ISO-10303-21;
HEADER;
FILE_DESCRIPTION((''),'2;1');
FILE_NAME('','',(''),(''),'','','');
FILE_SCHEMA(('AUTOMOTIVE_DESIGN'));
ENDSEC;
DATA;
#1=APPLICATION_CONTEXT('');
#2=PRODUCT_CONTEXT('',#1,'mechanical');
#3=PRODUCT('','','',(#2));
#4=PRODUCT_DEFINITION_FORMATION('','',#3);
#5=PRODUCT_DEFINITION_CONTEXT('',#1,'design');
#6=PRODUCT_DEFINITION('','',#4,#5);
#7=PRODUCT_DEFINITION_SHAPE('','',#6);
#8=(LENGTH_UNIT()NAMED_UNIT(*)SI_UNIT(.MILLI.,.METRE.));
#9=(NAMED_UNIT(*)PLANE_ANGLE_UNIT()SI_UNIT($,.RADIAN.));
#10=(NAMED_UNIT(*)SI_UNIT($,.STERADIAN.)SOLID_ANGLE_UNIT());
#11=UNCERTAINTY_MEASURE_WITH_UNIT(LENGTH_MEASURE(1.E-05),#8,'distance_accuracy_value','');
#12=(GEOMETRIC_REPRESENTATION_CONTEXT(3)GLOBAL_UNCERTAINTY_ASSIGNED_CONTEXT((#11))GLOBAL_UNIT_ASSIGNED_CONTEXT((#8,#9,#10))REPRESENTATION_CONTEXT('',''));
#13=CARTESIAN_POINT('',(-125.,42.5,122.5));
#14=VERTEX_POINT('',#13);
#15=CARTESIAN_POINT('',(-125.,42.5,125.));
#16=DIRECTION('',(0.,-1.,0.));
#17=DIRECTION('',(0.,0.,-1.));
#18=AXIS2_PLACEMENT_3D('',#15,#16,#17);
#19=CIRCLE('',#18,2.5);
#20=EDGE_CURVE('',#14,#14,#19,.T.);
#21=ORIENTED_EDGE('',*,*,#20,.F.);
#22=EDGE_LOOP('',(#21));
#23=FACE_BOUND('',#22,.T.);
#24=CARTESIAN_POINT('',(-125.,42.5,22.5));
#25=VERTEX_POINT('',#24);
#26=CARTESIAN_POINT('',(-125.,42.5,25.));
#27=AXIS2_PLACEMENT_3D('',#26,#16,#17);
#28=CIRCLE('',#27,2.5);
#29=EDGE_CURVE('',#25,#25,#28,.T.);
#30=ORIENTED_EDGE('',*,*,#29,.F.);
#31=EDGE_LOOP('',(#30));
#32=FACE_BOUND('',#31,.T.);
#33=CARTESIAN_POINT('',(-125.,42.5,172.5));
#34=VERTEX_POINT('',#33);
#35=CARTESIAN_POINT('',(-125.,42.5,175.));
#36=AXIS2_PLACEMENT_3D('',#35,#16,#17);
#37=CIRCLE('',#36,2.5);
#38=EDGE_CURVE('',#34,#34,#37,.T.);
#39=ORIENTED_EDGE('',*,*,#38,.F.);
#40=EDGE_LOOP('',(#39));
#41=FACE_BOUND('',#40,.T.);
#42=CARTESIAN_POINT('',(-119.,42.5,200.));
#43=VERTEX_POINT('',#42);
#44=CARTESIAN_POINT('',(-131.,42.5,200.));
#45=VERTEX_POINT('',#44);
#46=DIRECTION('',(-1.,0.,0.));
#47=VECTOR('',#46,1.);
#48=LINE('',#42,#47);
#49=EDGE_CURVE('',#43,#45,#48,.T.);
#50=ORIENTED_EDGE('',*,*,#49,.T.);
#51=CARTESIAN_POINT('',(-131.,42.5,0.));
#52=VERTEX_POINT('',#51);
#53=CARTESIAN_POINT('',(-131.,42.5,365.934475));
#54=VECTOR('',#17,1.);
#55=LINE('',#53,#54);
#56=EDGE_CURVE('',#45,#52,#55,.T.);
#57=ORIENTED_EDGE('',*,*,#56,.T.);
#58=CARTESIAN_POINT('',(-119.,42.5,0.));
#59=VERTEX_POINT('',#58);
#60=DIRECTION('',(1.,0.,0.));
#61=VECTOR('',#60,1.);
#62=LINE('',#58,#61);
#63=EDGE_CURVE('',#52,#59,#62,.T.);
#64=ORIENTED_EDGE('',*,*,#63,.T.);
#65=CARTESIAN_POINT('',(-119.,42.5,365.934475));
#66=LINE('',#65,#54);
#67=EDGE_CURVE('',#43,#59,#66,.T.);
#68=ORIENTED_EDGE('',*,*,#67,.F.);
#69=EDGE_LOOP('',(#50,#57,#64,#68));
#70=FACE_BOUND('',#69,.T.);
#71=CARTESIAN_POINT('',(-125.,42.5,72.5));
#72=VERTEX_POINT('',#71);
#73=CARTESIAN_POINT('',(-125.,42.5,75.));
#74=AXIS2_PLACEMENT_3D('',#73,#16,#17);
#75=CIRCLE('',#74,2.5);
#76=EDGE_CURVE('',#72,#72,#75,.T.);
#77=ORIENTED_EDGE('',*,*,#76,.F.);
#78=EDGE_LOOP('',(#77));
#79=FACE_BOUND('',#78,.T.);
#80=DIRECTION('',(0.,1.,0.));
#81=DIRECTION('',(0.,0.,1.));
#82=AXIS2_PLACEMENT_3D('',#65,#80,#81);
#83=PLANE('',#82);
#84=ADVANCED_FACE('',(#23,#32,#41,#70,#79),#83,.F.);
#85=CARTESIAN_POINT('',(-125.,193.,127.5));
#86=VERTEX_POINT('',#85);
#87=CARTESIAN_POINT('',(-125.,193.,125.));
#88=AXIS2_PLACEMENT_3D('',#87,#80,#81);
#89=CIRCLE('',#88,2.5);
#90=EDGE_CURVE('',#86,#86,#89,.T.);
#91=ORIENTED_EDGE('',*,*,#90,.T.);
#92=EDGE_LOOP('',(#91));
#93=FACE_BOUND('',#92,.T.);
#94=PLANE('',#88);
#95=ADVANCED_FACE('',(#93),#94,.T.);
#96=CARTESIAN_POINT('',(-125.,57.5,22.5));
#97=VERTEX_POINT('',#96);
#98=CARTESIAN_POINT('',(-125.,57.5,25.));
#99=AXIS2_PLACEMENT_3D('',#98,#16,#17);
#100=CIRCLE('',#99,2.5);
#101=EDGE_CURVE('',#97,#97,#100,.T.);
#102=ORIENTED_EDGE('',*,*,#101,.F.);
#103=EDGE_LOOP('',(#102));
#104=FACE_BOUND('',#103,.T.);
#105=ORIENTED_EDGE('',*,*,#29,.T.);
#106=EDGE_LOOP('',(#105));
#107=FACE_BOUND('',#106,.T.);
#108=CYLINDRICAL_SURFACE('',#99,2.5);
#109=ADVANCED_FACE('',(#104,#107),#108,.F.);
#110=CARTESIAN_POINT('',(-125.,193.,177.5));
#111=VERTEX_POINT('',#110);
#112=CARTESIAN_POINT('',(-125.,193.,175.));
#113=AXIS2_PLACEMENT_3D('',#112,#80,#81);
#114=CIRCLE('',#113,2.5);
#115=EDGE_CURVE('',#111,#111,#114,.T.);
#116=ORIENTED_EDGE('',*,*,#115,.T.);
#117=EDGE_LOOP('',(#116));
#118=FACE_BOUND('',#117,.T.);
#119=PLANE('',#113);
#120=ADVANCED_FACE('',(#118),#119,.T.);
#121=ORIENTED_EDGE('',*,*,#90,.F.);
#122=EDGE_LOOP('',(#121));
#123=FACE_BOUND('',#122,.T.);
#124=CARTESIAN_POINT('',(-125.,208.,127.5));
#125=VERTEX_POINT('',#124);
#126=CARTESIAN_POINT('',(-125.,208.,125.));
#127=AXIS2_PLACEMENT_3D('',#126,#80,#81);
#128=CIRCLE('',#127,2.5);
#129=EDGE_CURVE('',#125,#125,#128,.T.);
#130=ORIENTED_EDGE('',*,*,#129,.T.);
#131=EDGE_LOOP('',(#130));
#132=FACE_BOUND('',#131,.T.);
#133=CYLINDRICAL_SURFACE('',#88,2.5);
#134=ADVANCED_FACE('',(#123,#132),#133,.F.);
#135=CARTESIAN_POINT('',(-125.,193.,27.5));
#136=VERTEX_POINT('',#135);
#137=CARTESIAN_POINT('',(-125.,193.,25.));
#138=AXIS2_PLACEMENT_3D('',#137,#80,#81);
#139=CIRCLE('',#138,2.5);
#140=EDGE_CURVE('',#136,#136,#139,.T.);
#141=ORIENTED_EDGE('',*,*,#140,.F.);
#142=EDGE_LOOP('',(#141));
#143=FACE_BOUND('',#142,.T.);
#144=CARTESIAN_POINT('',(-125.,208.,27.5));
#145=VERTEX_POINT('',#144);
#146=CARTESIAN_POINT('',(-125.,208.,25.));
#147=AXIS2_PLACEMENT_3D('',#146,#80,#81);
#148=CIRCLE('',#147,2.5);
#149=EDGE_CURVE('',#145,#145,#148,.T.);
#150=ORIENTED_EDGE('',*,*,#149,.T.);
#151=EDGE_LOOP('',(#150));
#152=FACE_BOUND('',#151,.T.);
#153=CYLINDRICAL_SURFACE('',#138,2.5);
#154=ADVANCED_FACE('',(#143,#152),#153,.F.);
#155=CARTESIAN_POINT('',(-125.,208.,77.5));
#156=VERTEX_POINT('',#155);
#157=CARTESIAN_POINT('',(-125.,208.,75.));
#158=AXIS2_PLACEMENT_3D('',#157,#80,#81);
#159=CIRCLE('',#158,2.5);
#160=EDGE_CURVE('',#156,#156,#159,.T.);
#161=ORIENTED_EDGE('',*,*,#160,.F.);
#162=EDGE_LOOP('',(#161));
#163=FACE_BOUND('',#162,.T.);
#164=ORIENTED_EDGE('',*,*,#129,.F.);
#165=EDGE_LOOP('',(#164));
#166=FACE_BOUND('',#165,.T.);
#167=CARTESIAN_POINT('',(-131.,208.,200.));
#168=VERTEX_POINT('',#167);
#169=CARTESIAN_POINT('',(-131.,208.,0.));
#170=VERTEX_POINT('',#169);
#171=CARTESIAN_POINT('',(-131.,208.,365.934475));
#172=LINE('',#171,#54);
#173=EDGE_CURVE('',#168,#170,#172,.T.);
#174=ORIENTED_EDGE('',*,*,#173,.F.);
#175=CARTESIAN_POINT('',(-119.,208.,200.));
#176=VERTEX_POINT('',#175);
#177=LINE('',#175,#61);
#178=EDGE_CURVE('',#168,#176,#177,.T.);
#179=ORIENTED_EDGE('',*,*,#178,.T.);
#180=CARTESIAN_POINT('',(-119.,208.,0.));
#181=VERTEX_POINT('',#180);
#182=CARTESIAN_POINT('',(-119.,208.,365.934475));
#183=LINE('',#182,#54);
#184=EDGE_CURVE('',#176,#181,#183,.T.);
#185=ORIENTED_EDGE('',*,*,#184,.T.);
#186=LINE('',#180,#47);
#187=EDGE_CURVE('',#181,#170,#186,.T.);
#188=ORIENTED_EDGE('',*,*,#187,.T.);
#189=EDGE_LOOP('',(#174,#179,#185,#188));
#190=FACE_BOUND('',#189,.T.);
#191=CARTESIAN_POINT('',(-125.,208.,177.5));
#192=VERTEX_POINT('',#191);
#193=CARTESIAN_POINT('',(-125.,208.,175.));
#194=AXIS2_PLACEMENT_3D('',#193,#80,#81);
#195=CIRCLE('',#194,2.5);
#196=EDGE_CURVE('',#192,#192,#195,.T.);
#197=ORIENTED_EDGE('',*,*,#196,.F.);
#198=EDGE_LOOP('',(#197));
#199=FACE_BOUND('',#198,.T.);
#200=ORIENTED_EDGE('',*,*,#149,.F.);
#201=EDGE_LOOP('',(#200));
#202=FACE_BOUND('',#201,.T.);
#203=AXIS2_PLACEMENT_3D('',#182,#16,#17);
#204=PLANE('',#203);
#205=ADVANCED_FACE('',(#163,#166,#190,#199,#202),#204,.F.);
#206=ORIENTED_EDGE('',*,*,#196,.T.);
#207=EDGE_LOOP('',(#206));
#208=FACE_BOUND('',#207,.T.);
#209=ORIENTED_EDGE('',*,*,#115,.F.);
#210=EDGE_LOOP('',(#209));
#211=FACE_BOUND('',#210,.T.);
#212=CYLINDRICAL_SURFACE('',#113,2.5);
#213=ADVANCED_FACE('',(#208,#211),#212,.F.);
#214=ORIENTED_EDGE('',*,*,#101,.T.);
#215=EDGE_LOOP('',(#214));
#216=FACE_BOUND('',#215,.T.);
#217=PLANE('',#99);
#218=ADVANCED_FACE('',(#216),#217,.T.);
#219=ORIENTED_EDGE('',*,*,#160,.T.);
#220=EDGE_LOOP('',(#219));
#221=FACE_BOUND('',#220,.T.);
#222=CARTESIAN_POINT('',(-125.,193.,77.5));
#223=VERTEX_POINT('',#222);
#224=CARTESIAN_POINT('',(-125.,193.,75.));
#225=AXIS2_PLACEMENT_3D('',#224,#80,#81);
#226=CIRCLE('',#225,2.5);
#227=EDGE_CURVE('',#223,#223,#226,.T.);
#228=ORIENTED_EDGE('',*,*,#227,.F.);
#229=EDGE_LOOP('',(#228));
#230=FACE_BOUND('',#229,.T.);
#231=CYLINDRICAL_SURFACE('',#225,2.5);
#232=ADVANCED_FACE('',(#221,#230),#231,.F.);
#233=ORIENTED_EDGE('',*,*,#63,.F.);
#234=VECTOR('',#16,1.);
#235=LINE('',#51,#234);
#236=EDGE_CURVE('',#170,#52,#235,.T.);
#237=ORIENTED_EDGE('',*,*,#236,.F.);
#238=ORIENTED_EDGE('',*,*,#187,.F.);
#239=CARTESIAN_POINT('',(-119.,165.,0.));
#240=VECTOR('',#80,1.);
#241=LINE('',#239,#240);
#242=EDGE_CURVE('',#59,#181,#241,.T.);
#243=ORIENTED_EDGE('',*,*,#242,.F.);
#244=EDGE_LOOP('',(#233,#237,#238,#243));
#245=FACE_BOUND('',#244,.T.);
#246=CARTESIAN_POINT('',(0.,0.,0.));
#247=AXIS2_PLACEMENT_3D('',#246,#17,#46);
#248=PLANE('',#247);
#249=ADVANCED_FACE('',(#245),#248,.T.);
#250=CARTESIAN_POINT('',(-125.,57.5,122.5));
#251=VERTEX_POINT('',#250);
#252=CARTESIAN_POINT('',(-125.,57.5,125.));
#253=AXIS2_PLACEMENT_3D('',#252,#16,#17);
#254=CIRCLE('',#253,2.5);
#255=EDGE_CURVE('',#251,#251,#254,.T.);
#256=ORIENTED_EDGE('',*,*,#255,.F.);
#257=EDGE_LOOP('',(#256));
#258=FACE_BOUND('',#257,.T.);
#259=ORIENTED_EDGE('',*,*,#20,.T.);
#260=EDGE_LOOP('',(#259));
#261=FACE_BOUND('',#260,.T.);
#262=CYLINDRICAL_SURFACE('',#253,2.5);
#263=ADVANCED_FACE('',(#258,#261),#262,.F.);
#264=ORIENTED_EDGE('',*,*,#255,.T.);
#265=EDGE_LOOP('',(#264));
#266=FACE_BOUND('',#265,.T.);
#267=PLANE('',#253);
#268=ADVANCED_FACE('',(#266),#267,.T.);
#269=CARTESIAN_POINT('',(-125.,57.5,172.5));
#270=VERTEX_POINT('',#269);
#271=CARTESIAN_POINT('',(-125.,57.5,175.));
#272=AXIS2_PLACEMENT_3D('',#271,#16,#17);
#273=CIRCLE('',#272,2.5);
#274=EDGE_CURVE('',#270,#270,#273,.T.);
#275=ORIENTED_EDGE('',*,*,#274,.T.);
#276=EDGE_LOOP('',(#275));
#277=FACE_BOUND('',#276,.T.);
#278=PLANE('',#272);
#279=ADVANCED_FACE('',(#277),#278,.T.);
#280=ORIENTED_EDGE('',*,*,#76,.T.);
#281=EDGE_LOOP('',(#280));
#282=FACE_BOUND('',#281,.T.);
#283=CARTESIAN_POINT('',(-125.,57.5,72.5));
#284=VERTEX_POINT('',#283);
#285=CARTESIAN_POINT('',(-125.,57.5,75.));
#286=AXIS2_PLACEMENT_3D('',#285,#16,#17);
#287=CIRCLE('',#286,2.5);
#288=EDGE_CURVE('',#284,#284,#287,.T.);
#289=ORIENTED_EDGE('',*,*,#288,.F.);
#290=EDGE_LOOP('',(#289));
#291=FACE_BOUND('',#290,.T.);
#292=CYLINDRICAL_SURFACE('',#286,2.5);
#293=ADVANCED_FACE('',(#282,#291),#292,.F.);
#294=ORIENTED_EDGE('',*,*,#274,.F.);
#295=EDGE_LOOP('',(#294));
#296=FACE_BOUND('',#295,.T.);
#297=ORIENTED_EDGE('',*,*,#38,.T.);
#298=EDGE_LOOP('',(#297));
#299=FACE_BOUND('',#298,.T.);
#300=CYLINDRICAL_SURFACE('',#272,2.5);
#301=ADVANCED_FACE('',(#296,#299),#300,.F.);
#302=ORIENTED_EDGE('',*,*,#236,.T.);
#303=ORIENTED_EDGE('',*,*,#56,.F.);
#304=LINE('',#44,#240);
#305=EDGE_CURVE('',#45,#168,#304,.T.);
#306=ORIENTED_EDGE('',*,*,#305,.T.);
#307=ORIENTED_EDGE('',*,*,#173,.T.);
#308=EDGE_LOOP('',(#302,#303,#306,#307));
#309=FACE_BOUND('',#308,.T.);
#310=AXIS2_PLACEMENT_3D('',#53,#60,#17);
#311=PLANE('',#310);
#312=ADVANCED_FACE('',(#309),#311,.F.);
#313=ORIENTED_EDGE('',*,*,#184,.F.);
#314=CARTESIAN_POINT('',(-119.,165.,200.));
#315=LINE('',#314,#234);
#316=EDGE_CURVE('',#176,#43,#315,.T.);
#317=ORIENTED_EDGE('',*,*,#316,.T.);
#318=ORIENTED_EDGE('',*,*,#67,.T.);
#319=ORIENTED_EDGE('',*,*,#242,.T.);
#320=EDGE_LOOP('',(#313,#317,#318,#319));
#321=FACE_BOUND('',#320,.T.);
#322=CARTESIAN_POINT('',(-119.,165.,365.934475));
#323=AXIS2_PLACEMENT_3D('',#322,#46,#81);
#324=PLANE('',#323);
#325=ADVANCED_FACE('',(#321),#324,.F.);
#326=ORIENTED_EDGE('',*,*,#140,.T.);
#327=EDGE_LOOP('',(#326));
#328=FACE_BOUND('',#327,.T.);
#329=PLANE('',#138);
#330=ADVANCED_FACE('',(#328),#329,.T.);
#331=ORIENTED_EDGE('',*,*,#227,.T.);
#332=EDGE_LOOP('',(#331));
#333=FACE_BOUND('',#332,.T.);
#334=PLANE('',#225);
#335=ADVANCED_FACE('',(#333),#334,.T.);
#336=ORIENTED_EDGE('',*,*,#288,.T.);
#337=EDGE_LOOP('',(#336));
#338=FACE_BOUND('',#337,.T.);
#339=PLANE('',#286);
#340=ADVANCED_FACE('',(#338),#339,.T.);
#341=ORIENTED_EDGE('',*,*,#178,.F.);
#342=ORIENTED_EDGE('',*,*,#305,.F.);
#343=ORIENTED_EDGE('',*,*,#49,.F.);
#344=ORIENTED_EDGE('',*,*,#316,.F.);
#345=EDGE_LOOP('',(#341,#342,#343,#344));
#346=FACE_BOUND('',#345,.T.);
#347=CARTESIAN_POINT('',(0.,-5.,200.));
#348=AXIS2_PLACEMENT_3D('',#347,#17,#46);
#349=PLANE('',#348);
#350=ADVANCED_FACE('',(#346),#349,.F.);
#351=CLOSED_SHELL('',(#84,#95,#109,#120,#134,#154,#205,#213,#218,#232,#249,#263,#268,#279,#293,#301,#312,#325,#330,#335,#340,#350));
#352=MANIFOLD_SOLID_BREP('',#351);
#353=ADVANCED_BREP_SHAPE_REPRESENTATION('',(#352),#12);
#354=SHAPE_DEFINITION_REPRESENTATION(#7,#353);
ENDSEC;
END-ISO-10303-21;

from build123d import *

# Parameters (mm, degrees)
BOSS_EXTRUDE1_DEPTH = 200
SKETCH2_R           = 2.5
CUT_EXTRUDE2_DEPTH  = 15
CUT_EXTRUDE3_START  = -15
SKETCH3_R           = 2.5
CUT_EXTRUDE3_DEPTH  = 15


with BuildPart() as part:
    # Sketch1 → Boss-Extrude1 (new body)
    with BuildSketch(Plane.XY):
        Polygon((-119, 208), (-131, 208), (-131, 42.5), (-119, 42.5), (-119, 165), align=None)
    extrude(amount=BOSS_EXTRUDE1_DEPTH)

    # Sketch2 → Cut-Extrude2 (cut)
    with BuildSketch(Plane(origin=(0, 208, 0), x_dir=(1, 0, 0), z_dir=(0, 1, 0))):
        with Locations(Location((-125, -25, 0), (0, 0, 270))):
            Circle(SKETCH2_R)
        with Locations(Location((-125, -75, 0), (0, 0, 270))):
            Circle(SKETCH2_R)
        with Locations(Location((-125, -125, 0), (0, 0, 270))):
            Circle(SKETCH2_R)
        with Locations(Location((-125, -175, 0), (0, 0, 270))):
            Circle(SKETCH2_R)
    extrude(amount=-CUT_EXTRUDE2_DEPTH, mode=Mode.SUBTRACT)

    # Sketch3 → Cut-Extrude3 (cut)
    with BuildSketch(Plane.XZ.offset(-42.5).offset(CUT_EXTRUDE3_START)):
        with Locations(Location((-125, 175, 0), (0, 0, 90))):
            Circle(SKETCH3_R)
        with Locations(Location((-125, 125, 0), (0, 0, 90))):
            Circle(SKETCH3_R)
        with Locations(Location((-125, 75, 0), (0, 0, 90))):
            Circle(SKETCH3_R)
        with Locations(Location((-125, 25, 0), (0, 0, 90))):
            Circle(SKETCH3_R)
    extrude(amount=CUT_EXTRUDE3_DEPTH, mode=Mode.SUBTRACT)


solid = part.part
